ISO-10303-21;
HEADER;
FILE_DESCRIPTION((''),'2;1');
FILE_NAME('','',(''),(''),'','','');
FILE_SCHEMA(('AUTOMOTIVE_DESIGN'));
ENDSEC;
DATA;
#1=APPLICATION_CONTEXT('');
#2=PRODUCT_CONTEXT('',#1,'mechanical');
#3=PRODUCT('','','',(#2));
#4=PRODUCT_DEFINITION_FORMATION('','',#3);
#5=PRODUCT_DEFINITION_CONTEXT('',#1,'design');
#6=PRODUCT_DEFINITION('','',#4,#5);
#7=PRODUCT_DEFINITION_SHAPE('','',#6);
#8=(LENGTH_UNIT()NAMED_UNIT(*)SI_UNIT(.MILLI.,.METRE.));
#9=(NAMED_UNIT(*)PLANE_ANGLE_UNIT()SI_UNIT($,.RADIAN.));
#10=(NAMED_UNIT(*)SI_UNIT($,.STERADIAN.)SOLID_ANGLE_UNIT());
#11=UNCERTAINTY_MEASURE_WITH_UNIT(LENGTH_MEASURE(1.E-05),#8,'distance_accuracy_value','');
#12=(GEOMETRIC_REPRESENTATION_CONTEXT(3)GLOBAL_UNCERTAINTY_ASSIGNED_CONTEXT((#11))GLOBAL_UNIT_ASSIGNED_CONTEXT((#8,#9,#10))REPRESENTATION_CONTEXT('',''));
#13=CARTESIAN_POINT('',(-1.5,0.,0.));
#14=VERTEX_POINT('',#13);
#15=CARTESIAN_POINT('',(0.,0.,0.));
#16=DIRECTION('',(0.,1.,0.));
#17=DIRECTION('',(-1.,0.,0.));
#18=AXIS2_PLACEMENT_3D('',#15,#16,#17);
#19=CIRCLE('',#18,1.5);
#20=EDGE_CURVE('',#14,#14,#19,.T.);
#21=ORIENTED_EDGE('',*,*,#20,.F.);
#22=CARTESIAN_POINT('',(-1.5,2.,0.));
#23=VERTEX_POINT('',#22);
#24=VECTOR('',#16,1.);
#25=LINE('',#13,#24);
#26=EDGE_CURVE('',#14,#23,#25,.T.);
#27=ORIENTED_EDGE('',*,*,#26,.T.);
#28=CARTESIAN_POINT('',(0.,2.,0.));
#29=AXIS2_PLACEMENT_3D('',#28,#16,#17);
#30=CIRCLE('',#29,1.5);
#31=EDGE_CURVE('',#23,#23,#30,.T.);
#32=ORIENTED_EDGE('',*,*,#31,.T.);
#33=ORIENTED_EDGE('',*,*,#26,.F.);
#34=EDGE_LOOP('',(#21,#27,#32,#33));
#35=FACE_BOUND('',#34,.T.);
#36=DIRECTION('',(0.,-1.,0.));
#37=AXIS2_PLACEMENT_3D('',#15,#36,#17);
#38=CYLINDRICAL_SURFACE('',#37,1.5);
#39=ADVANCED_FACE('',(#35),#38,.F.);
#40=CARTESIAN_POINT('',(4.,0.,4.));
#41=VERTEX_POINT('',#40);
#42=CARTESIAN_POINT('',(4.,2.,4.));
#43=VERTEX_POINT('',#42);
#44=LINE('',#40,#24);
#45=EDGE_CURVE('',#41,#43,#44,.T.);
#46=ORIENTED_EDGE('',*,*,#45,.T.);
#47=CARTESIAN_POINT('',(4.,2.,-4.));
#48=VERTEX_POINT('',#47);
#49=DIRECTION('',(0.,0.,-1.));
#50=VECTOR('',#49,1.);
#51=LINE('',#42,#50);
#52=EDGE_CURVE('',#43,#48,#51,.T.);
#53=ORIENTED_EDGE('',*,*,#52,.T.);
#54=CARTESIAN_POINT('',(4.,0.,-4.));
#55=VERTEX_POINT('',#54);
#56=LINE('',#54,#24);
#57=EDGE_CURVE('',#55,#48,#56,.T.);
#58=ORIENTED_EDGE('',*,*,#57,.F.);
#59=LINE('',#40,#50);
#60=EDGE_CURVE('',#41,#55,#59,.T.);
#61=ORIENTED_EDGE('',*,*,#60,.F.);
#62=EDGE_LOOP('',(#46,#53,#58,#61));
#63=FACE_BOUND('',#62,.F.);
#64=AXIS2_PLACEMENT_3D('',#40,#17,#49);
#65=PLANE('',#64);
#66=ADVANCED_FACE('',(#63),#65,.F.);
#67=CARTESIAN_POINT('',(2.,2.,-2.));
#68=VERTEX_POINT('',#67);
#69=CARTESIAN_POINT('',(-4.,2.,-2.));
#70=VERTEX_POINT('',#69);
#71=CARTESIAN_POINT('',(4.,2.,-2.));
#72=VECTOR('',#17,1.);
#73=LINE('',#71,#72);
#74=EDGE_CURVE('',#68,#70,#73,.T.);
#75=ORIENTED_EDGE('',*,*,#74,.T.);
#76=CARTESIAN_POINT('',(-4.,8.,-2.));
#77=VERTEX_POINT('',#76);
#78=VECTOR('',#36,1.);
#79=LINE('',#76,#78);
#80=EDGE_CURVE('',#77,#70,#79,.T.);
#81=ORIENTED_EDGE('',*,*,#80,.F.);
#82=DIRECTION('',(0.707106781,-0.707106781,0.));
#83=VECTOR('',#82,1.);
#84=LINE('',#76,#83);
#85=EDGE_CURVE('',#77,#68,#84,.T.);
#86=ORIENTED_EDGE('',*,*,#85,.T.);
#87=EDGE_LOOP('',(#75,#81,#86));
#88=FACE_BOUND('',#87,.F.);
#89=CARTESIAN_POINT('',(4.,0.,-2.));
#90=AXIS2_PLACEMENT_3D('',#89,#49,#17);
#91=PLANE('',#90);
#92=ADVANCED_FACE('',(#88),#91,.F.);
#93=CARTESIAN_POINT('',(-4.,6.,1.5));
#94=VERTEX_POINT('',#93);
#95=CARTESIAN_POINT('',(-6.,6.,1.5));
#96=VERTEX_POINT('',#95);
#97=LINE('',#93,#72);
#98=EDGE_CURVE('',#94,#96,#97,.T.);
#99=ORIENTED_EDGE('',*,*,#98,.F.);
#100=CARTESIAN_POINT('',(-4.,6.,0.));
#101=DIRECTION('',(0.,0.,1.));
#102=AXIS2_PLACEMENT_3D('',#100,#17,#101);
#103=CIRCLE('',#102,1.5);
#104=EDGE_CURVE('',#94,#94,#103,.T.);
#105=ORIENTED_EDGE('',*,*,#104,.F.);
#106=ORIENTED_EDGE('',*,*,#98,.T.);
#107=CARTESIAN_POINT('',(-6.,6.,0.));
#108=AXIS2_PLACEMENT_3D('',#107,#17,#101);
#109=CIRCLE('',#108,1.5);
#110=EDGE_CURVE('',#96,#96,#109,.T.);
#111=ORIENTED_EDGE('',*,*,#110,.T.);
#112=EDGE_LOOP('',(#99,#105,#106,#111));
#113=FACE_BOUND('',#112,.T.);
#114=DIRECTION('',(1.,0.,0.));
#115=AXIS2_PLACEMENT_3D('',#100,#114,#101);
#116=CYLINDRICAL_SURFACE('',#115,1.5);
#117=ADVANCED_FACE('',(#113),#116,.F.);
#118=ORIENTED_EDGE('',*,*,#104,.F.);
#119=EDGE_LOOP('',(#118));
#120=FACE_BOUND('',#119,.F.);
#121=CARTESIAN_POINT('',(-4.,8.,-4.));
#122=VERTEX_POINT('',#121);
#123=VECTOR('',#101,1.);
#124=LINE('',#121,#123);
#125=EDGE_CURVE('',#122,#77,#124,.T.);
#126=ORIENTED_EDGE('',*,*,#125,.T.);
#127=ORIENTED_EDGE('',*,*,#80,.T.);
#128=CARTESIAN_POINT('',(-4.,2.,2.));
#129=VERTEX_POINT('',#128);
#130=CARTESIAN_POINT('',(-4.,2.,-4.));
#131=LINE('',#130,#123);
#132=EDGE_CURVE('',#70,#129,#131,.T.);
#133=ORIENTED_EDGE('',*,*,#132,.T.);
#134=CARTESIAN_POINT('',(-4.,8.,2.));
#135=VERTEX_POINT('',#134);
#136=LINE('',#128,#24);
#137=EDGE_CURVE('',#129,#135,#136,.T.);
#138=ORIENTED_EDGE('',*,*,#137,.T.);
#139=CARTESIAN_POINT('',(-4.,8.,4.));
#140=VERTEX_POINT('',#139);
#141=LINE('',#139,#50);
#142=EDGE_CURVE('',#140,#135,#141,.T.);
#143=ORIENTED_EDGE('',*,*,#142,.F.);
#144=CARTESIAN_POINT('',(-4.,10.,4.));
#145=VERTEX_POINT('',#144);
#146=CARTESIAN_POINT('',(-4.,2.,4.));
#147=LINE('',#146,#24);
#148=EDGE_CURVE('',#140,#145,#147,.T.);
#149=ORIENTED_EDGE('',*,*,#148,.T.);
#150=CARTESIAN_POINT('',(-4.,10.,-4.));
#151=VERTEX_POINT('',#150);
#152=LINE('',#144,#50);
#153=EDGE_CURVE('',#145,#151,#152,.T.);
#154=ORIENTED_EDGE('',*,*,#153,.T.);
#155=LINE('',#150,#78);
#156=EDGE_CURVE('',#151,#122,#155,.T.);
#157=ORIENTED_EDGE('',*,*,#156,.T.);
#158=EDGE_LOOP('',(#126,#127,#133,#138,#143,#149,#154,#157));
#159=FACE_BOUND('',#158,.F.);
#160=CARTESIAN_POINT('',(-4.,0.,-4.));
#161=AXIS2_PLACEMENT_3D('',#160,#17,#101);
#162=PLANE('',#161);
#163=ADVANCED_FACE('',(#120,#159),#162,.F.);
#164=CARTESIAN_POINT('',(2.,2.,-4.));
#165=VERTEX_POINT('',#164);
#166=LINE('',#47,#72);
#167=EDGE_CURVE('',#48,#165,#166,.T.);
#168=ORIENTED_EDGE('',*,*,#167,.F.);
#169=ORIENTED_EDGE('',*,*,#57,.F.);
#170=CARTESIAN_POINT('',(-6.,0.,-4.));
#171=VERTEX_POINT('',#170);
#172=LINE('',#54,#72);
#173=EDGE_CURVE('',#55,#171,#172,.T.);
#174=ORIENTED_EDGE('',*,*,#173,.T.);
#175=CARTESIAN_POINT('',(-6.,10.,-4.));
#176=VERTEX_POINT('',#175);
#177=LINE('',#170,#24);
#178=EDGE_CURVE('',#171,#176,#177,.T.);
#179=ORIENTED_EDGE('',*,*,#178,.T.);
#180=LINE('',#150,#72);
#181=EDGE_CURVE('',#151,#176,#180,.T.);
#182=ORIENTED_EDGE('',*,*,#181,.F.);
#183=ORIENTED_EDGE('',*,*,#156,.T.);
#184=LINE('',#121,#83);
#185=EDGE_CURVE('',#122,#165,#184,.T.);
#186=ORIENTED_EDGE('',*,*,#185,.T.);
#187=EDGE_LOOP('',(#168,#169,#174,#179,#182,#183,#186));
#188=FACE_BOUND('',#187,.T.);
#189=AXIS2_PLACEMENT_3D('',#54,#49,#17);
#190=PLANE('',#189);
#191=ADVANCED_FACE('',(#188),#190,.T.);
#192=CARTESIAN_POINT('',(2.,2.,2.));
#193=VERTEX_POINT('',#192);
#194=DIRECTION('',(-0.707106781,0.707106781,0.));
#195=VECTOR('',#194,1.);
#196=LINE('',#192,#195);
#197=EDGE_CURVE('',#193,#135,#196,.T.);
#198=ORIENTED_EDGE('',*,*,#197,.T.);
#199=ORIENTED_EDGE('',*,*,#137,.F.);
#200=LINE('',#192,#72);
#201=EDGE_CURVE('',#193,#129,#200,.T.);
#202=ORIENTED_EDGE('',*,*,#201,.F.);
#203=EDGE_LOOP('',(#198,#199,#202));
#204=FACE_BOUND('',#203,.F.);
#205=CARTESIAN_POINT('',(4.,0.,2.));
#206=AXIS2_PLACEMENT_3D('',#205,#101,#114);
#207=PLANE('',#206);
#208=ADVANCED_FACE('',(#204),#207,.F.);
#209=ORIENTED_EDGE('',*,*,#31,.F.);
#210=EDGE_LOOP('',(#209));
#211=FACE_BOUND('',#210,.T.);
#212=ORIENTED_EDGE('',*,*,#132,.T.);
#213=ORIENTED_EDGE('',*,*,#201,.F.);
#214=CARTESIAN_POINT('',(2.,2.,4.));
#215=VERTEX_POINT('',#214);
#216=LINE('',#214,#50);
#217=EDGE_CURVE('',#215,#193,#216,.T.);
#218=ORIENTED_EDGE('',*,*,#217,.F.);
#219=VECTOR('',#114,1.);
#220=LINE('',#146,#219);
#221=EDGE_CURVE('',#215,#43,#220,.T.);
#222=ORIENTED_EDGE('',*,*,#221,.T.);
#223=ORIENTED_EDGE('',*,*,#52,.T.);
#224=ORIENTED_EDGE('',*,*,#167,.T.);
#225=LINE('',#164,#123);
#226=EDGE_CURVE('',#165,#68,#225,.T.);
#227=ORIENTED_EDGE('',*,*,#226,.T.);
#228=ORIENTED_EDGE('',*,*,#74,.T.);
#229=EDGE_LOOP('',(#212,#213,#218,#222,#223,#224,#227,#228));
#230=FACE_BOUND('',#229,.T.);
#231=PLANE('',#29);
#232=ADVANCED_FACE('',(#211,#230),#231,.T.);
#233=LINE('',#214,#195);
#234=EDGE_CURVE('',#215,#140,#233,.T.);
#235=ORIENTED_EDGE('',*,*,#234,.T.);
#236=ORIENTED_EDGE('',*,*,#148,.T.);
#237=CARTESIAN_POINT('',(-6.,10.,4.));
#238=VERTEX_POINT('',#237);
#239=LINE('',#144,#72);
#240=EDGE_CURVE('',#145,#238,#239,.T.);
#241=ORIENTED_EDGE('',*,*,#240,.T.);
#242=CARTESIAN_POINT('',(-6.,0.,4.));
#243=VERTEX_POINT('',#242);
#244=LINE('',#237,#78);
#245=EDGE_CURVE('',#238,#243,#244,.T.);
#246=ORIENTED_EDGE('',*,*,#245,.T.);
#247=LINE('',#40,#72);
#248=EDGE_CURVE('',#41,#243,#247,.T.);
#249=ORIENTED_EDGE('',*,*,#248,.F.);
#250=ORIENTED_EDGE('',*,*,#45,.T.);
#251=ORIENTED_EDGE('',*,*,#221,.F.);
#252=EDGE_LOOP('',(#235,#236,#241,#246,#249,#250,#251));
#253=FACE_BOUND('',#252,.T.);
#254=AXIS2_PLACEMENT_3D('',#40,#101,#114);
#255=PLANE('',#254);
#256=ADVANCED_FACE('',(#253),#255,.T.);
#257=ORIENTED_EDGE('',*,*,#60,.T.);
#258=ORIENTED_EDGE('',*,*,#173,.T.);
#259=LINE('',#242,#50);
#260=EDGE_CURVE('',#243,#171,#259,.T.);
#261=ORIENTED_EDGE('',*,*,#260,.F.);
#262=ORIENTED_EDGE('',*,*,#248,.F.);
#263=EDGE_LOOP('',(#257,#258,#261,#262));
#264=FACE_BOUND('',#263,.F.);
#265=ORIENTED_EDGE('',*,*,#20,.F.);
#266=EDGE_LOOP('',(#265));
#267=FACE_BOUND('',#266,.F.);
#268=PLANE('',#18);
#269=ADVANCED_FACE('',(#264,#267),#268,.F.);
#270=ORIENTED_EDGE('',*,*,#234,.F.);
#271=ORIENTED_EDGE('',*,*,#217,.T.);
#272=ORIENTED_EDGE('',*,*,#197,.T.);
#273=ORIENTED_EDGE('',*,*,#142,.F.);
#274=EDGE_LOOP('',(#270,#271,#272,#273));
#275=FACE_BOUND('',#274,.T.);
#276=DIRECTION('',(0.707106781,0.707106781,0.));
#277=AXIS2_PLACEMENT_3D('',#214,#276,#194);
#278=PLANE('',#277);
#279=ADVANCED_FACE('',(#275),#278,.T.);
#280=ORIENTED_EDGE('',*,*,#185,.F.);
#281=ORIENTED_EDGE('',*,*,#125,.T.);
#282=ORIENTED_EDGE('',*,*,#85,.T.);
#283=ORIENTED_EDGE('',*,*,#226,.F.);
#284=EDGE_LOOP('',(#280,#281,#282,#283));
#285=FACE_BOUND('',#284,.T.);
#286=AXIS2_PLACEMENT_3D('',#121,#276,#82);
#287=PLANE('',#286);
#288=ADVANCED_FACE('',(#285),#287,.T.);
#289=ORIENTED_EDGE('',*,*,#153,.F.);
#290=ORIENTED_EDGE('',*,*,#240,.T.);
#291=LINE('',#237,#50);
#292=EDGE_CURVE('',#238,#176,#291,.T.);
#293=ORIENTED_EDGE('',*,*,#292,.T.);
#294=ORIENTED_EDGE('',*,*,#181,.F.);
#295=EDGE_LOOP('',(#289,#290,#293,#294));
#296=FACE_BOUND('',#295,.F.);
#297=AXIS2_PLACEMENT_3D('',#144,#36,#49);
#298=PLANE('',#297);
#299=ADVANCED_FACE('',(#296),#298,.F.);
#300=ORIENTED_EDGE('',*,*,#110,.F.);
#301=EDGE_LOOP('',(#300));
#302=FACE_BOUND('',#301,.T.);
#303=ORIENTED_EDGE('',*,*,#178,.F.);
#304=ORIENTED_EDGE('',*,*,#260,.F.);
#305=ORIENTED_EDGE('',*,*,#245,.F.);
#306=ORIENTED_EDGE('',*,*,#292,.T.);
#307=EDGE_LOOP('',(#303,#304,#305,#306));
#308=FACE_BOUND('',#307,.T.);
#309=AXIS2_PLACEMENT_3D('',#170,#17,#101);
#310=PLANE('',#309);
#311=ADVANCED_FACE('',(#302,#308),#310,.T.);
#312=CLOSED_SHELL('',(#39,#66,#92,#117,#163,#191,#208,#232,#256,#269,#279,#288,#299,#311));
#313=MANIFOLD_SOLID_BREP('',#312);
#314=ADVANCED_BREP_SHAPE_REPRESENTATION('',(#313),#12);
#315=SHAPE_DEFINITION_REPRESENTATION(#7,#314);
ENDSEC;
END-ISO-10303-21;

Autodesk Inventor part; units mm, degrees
ref_plane "YZ Plane" through (0, 0, 0) normal (1, 0, 0) x (0, 1, 0)
ref_plane "XZ Plane" through (0, 0, 0) normal (0, 1, 0) x (-1, 0, 0)
ref_plane "XY Plane" through (0, 0, 0) normal (0, 0, 1) x (1, 0, 0)
sketch "Boceto1" plane through (0, 0, 0) normal (0, 1, 0) x (-1, 0, 0)
  circle A0 centre (0, 0) radius 1.5
  line L0 (4, 4) -> (-4, 4)
  line L1 (-4, 4) -> (-4, -4)
  line L2 (-4, -4) -> (4, -4)
  line L3 (4, -4) -> (4, 4)
  dimension "d0" = 3
extrude "Extrusión1" add sketch "Boceto1" along normal blind 2
sketch "Boceto2" plane through (-4, 0, -4) normal (-1, 0, 0) x (0, 0, 1)
  circle A0 centre (4, 6) radius 1.5
  line L0 (8, 2) -> (8, 10)
  line L1 (8, 10) -> (0, 10)
  line L2 (0, 10) -> (0, 2)
  line L3 (8, 0) -> (0, 0) projected
  line L4 (0, 0) -> (8, 0)
  line L5 (8, 0) -> (8, 2)
  line L6 (0, 2) -> (0, 0)
  line L7 (0, 0) -> (8, 0)
  line L8 (8, 0) -> (8, 10)
  line L9 (8, 10) -> (0, 10)
  line L10 (0, 10) -> (0, 0)
  point P0 (4, 0)
extrude "Extrusión2" add sketch "Boceto2" along normal blind 2
sketch "Boceto3" plane through (4, 0, 4) normal (0, 0, 1) x (1, 0, 0)
  line L0 (-8, 2) -> (-8, 10) projected
  line L1 (-8, 10) -> (-8, 8)
  line L2 (0, 2) -> (-2, 2)
  line L3 (-2, 2) -> (-8, 8)
  line L4 (-2, 2) -> (-8, 2)
  line L5 (-8, 8) -> (-8, 2)
  point P0 (-5.5, 2)
  point P1 (-8, 4.5)
  dimension "d26" = 2
  dimension "d27" = 2
extrude "Extrusión8" add sketch "Boceto3" against normal blind 2
sketch "Boceto9" plane through (4, 0, -4) normal (0, 0, -1) x (-1, 0, 0)
  line L0 (0, 2) -> (8, 2) projected
  line L1 (8, 8) -> (2, 2) projected
  line L2 (2, 2) -> (8, 8)
  line L3 (8, 8) -> (8, 2)
  line L4 (8, 2) -> (2, 2)
  point P0 (4, 0)
extrude "Extrusión9" add sketch "Boceto9" against normal blind 2
properties part number "Base auxiliar - esquadra"
